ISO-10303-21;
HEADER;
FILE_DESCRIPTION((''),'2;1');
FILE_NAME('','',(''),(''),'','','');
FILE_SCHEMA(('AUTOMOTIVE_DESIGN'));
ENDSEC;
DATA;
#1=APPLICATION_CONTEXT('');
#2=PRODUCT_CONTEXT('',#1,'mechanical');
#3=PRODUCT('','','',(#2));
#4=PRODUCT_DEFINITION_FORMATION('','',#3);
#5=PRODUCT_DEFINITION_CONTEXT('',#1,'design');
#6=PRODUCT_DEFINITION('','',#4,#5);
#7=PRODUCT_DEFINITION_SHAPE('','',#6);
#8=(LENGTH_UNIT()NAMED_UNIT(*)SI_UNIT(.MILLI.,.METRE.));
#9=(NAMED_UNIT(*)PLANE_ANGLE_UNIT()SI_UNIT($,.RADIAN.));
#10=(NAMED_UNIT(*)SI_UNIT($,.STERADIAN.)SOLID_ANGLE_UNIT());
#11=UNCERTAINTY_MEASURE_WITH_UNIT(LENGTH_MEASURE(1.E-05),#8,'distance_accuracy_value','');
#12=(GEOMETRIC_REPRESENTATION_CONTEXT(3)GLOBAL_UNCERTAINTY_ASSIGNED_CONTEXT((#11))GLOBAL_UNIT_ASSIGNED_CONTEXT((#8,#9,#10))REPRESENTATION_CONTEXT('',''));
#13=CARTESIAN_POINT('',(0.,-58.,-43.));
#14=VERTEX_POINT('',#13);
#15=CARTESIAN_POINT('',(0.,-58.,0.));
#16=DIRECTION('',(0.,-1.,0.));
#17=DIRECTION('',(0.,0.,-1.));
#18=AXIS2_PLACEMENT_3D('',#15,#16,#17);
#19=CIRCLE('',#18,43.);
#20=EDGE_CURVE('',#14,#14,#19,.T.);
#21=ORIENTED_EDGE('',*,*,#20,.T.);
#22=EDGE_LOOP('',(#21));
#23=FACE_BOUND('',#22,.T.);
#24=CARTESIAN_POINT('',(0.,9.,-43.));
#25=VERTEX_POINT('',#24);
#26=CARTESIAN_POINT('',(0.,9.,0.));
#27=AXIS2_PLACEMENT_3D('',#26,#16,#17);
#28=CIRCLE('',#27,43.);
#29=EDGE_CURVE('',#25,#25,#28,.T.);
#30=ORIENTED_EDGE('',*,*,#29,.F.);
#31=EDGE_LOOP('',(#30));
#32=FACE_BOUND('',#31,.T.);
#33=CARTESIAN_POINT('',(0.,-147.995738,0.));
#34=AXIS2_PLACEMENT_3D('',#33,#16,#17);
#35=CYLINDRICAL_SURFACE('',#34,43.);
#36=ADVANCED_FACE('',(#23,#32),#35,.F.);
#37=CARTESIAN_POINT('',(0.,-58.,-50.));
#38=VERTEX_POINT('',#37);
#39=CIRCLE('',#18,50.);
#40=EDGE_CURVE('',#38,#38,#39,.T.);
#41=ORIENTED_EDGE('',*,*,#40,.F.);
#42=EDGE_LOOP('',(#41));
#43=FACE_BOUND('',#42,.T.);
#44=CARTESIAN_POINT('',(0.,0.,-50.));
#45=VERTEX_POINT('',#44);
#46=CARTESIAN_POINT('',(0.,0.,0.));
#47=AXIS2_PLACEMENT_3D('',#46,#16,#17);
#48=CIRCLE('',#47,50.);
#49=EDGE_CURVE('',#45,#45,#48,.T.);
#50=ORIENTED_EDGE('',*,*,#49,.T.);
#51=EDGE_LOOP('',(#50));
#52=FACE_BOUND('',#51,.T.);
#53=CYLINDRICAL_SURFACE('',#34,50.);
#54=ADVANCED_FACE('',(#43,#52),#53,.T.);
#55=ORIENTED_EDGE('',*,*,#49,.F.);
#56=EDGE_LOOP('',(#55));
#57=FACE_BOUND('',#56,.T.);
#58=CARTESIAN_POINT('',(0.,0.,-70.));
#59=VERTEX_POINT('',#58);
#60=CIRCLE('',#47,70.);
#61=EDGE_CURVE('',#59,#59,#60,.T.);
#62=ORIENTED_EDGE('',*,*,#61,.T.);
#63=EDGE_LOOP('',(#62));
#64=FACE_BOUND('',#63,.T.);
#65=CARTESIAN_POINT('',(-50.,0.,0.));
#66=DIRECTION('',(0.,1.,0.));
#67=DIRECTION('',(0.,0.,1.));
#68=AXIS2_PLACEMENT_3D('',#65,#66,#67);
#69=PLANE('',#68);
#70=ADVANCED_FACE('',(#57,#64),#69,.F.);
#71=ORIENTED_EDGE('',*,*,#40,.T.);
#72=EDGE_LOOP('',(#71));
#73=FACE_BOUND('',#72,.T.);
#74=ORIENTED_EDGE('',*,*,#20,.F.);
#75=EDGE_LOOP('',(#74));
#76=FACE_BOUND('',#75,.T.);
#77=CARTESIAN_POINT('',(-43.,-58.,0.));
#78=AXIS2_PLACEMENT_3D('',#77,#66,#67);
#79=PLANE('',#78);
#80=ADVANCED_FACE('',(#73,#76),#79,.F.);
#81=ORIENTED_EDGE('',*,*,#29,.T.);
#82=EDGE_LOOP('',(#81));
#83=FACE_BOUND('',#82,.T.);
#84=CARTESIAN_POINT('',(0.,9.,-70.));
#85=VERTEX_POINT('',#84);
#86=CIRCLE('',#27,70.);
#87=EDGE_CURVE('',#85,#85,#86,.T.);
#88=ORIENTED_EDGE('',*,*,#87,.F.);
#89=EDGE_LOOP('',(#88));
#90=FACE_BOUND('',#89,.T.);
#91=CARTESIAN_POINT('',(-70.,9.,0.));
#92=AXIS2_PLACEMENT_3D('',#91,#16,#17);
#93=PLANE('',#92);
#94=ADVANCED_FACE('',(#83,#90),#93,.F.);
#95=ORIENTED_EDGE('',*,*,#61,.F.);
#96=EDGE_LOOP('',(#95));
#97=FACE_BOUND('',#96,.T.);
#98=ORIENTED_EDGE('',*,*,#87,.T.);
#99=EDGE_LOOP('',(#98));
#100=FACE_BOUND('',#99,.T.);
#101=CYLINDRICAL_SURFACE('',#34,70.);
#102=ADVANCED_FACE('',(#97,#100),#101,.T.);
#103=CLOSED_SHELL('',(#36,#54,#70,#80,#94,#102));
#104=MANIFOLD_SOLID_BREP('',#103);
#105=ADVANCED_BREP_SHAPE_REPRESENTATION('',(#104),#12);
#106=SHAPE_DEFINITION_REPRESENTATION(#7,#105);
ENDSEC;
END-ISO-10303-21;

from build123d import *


with BuildPart() as part:
    # Sketch1 → Revolve1 (revolve)
    with BuildSketch(Plane(origin=(0, 0, 0), x_dir=(0, 1, 0), z_dir=(0, 0, 1)), mode=Mode.PRIVATE) as revolve1_sk:
        Polygon((-58, 50), (0, 50), (0, 70), (9, 70), (9, 43), (-58, 43), align=None)
    revolve(revolve1_sk.sketch.rotate(Axis((0, -147.995737503, 0), (0, 1, 0)), 270), axis=Axis((0, -147.995737503, 0), (0, 1, 0)))


solid = part.part
